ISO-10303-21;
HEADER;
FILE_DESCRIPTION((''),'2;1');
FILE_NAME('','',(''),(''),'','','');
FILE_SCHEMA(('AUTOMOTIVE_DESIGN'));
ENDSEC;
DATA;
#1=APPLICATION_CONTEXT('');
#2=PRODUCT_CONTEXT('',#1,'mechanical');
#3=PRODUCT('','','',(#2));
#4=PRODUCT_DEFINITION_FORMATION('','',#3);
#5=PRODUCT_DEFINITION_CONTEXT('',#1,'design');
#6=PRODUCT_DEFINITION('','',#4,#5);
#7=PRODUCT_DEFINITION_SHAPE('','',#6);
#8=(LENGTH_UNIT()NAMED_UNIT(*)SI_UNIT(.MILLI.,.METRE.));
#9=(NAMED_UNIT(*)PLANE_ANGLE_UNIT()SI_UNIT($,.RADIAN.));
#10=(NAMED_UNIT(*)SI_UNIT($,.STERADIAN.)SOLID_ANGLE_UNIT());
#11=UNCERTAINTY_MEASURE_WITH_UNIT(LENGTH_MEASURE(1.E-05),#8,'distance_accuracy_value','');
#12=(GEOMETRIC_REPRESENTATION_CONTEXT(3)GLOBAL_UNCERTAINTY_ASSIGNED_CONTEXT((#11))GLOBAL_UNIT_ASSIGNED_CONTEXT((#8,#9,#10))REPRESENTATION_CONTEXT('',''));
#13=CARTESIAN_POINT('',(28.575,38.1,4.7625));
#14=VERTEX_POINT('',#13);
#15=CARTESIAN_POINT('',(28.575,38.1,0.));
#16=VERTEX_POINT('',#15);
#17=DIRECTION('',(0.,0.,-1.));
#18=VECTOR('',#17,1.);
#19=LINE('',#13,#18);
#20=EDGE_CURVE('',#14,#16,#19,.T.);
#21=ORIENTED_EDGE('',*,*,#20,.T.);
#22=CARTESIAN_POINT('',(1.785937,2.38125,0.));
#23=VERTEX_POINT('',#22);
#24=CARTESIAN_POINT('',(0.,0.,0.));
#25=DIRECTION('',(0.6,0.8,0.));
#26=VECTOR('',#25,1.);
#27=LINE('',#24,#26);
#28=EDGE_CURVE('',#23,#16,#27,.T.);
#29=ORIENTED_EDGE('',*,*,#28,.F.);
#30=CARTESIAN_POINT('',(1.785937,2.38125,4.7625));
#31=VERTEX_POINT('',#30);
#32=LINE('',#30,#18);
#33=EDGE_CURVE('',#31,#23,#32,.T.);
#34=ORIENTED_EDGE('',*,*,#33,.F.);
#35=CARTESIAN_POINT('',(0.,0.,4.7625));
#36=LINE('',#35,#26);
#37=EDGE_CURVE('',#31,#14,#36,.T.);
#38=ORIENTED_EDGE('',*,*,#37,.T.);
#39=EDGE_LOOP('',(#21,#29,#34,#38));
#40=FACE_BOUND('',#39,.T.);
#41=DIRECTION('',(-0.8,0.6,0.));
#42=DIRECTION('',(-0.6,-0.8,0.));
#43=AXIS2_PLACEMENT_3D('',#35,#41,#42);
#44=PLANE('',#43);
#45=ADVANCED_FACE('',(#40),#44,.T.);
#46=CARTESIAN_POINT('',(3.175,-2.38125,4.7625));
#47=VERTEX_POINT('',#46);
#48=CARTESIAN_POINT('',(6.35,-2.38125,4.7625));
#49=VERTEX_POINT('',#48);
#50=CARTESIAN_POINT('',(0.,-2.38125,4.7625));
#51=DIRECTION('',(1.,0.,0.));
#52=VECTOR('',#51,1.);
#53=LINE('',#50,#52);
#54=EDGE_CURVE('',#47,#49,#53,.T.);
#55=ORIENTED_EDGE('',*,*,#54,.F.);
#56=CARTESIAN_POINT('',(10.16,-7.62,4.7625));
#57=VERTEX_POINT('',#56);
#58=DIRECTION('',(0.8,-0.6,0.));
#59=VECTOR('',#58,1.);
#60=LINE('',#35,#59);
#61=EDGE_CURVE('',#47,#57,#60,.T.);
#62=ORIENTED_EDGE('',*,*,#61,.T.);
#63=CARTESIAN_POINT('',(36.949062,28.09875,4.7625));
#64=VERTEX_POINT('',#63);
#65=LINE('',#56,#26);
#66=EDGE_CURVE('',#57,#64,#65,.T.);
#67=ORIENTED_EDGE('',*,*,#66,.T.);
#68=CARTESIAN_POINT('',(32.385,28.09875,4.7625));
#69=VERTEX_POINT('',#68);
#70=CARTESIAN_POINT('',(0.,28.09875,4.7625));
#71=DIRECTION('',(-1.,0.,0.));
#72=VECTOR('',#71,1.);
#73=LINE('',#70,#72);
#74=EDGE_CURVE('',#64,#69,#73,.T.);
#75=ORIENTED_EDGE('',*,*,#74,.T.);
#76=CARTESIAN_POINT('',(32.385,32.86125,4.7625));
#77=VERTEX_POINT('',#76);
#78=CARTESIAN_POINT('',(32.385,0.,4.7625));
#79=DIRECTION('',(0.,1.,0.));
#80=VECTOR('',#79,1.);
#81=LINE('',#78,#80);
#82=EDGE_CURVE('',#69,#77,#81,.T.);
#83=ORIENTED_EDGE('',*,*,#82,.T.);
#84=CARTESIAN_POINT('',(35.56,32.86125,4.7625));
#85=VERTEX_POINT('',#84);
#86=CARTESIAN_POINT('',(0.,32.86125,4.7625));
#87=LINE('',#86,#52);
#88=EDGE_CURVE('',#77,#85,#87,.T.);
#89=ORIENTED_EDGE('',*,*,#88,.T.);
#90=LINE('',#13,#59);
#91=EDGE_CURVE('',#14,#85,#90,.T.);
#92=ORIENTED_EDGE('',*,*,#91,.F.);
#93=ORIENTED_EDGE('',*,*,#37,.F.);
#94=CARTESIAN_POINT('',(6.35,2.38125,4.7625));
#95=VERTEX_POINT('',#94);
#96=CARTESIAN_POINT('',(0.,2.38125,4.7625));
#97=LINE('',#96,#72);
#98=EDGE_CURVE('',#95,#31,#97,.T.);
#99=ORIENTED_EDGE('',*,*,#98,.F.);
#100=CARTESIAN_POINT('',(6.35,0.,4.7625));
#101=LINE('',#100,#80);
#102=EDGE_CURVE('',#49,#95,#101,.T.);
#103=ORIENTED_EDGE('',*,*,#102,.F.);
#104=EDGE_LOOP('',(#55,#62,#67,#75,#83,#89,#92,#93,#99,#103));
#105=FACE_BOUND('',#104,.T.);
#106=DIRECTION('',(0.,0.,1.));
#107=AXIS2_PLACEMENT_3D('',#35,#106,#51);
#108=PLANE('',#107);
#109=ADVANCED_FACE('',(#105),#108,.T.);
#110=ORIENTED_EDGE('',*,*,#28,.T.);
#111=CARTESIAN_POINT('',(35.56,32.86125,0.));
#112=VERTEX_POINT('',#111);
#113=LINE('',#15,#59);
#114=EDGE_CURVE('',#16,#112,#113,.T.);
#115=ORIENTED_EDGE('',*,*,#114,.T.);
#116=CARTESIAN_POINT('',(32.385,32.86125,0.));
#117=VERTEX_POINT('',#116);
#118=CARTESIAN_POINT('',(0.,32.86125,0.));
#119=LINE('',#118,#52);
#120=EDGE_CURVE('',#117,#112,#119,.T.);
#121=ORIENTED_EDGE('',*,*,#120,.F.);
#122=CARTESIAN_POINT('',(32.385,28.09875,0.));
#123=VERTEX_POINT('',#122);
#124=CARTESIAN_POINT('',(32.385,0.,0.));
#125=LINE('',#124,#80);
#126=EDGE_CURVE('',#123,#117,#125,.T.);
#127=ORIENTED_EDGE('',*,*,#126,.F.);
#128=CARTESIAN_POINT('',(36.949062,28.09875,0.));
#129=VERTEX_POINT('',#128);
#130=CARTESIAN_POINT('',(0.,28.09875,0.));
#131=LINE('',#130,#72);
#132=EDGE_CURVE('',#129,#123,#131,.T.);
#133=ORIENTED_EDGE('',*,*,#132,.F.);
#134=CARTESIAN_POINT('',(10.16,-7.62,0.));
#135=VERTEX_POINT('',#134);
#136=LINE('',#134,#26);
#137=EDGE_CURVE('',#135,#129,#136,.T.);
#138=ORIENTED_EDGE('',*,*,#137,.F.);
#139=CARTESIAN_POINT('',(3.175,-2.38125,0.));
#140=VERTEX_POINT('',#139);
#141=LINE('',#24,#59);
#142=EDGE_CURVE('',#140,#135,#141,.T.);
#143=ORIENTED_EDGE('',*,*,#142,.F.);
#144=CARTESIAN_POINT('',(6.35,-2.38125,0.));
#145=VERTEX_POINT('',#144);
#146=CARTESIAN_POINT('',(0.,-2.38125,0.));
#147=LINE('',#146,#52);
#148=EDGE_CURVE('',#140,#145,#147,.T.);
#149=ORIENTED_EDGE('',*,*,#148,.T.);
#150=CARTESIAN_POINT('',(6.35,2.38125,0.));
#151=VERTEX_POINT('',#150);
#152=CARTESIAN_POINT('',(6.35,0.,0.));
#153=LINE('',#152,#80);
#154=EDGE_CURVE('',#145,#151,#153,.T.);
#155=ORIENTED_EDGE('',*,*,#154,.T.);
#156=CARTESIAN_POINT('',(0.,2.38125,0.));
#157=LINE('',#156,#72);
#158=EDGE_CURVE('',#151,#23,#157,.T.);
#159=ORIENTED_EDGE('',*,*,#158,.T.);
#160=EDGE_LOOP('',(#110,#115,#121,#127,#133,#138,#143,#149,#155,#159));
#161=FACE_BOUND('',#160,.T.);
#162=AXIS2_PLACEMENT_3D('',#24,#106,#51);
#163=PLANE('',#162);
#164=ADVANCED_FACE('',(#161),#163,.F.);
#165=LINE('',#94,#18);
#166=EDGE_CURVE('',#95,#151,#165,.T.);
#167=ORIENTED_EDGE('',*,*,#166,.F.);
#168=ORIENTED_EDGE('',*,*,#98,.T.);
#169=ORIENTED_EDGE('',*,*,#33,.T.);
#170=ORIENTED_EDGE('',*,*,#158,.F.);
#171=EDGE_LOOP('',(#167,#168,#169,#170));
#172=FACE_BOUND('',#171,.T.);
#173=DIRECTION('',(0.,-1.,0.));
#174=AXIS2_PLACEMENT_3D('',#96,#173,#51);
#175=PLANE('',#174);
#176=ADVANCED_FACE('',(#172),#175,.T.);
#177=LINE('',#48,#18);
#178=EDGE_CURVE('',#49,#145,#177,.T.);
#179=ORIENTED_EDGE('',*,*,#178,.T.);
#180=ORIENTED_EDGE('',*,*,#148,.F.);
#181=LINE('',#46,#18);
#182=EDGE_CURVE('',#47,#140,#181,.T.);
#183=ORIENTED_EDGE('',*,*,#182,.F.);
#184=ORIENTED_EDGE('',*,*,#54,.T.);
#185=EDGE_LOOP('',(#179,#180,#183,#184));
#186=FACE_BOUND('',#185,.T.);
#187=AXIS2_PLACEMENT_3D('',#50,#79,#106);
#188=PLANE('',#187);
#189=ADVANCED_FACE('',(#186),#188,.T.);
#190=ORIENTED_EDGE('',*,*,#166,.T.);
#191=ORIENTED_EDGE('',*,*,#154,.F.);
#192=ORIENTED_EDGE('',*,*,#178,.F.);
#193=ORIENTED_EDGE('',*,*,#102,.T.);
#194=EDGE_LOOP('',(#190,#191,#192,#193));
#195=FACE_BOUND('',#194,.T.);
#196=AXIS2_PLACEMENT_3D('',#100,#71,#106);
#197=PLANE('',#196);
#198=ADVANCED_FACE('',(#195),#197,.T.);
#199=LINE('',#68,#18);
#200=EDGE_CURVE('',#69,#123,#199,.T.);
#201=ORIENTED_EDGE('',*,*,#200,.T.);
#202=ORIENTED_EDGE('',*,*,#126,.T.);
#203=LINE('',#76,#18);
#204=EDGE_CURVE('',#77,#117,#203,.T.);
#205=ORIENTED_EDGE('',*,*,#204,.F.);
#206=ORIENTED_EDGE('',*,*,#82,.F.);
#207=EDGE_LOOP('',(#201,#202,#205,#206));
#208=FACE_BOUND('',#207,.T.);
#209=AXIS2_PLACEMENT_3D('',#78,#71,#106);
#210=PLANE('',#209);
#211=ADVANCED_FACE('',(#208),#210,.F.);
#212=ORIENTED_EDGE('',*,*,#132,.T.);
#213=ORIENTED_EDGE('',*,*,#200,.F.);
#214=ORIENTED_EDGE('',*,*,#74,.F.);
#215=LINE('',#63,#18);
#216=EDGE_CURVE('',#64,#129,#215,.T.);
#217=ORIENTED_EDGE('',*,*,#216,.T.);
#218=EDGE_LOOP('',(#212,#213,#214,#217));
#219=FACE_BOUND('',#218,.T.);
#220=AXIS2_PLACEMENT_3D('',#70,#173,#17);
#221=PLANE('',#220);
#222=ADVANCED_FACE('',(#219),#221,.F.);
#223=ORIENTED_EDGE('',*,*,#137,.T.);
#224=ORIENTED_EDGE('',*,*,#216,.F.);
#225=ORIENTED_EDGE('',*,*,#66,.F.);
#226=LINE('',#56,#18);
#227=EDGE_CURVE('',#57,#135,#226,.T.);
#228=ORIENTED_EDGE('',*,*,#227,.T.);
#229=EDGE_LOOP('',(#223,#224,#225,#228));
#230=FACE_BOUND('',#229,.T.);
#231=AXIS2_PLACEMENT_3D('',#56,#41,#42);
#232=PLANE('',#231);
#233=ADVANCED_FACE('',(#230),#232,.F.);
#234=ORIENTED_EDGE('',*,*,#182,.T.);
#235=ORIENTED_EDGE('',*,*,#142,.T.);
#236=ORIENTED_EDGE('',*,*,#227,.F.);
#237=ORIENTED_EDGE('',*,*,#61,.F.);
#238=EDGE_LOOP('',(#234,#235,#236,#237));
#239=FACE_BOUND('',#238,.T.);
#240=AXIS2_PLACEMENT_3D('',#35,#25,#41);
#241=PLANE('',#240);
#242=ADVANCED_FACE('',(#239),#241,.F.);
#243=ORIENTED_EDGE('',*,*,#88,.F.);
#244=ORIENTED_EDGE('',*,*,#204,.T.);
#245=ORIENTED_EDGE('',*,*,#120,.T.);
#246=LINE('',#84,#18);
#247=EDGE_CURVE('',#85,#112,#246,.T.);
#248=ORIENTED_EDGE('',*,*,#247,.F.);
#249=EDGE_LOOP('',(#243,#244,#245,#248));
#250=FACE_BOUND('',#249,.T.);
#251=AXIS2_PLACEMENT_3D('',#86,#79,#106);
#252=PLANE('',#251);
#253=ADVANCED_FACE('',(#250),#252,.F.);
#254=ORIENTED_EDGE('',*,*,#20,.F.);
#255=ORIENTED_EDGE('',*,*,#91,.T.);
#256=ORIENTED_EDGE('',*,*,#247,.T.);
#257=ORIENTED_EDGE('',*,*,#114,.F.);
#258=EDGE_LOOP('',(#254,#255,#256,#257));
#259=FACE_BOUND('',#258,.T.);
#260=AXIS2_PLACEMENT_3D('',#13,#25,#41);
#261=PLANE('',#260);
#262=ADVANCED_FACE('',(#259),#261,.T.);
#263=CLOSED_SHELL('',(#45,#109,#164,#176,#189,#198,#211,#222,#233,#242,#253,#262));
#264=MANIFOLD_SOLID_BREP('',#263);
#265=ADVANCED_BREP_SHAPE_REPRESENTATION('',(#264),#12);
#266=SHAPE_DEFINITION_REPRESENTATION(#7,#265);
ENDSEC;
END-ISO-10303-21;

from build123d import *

# Parameters (mm, degrees)
BOSS_EXTRUDE1_DEPTH = 4.7625


with BuildPart() as part:
    # Sketch1 → Boss-Extrude1 (new body)
    with BuildSketch(Plane.XY):
        Polygon((28.575, 38.1), (1.7859375, 2.38125), (6.35, 2.38125), (6.35, -2.38125), (3.175, -2.38125), (10.16, -7.62), (36.9490625, 28.09875), (32.385, 28.09875), (32.385, 32.86125), (35.56, 32.86125), align=None)
    extrude(amount=BOSS_EXTRUDE1_DEPTH)


solid = part.part
